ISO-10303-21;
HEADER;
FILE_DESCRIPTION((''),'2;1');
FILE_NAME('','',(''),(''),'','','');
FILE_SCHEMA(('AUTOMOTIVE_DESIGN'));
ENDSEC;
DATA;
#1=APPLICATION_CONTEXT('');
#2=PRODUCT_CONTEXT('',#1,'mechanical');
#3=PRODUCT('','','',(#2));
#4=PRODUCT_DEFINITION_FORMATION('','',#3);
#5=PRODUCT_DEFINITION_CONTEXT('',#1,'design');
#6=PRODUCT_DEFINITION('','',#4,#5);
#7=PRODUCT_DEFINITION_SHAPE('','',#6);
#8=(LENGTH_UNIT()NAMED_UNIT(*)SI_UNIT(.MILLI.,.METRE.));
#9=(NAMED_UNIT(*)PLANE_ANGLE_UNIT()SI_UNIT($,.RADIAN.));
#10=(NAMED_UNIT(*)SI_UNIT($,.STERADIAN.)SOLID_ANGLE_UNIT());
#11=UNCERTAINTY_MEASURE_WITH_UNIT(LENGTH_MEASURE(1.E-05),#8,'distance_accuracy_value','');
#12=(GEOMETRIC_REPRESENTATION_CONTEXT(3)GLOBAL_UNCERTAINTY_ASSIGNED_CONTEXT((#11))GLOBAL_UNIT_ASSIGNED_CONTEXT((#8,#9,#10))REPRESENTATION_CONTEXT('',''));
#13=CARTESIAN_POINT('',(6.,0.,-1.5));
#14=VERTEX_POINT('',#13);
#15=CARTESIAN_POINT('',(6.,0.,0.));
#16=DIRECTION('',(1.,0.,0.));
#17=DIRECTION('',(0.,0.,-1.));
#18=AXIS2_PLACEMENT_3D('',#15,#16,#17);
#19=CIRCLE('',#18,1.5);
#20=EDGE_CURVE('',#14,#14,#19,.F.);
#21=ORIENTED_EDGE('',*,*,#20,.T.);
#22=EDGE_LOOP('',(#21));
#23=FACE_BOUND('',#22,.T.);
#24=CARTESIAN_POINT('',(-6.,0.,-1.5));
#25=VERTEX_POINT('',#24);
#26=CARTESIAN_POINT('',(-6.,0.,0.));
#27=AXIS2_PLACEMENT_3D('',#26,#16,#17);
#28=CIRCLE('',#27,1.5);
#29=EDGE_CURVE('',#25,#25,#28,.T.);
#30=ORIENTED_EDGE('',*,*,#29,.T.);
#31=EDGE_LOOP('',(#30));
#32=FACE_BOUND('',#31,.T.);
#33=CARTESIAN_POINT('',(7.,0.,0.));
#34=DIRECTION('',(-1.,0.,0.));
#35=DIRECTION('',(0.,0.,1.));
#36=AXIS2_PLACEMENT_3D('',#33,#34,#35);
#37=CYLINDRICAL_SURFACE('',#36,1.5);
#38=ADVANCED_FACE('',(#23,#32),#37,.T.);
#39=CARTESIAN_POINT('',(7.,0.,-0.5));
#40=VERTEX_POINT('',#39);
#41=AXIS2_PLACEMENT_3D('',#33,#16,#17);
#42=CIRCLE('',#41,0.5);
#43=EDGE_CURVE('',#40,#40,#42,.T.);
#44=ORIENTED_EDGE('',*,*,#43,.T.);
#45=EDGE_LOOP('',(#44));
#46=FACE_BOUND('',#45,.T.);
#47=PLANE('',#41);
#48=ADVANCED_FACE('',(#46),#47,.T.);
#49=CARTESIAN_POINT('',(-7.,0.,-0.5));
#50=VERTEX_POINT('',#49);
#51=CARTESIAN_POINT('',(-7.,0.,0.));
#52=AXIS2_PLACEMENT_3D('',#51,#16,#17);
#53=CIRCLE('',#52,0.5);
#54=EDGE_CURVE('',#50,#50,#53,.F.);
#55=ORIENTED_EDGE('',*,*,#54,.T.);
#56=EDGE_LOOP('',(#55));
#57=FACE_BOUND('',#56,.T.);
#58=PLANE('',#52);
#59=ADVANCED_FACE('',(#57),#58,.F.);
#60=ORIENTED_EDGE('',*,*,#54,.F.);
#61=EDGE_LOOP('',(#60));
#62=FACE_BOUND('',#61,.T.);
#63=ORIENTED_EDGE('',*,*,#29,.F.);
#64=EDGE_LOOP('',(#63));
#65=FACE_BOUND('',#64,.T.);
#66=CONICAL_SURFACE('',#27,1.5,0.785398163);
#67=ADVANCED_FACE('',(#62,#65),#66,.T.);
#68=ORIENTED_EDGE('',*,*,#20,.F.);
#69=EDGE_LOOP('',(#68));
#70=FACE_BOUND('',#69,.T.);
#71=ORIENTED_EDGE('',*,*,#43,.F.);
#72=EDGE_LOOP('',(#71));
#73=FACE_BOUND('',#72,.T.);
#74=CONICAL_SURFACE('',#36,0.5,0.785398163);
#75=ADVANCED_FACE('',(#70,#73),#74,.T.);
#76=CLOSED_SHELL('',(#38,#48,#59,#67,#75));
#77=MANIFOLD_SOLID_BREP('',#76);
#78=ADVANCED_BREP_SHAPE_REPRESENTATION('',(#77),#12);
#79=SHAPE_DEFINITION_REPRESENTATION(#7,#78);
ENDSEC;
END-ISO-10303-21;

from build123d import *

# Parameters (mm, degrees)
SZKIC1_R                    = 1.5
DODANIE_WYCI_GNI_CIE1_DEPTH = 7
SFAZOWANIE1_SIZE            = 1


with BuildPart() as part:
    # Szkic1 → Dodanie-wyciągnięcie1 (new body, symmetric)
    with BuildSketch(Plane(origin=(0, 0, 0), x_dir=(0, 0, -1), z_dir=(1, 0, 0))):
        Circle(SZKIC1_R)
    extrude(amount=DODANIE_WYCI_GNI_CIE1_DEPTH, both=True)

    # Sfazowanie1
    sfazowanie1_edges = [part.edges().sort_by_distance(p)[0] for p in [
        (-7, 0, 1.5),
        (7, 0, 1.5),
    ]]
    chamfer(sfazowanie1_edges, length=SFAZOWANIE1_SIZE)


solid = part.part
